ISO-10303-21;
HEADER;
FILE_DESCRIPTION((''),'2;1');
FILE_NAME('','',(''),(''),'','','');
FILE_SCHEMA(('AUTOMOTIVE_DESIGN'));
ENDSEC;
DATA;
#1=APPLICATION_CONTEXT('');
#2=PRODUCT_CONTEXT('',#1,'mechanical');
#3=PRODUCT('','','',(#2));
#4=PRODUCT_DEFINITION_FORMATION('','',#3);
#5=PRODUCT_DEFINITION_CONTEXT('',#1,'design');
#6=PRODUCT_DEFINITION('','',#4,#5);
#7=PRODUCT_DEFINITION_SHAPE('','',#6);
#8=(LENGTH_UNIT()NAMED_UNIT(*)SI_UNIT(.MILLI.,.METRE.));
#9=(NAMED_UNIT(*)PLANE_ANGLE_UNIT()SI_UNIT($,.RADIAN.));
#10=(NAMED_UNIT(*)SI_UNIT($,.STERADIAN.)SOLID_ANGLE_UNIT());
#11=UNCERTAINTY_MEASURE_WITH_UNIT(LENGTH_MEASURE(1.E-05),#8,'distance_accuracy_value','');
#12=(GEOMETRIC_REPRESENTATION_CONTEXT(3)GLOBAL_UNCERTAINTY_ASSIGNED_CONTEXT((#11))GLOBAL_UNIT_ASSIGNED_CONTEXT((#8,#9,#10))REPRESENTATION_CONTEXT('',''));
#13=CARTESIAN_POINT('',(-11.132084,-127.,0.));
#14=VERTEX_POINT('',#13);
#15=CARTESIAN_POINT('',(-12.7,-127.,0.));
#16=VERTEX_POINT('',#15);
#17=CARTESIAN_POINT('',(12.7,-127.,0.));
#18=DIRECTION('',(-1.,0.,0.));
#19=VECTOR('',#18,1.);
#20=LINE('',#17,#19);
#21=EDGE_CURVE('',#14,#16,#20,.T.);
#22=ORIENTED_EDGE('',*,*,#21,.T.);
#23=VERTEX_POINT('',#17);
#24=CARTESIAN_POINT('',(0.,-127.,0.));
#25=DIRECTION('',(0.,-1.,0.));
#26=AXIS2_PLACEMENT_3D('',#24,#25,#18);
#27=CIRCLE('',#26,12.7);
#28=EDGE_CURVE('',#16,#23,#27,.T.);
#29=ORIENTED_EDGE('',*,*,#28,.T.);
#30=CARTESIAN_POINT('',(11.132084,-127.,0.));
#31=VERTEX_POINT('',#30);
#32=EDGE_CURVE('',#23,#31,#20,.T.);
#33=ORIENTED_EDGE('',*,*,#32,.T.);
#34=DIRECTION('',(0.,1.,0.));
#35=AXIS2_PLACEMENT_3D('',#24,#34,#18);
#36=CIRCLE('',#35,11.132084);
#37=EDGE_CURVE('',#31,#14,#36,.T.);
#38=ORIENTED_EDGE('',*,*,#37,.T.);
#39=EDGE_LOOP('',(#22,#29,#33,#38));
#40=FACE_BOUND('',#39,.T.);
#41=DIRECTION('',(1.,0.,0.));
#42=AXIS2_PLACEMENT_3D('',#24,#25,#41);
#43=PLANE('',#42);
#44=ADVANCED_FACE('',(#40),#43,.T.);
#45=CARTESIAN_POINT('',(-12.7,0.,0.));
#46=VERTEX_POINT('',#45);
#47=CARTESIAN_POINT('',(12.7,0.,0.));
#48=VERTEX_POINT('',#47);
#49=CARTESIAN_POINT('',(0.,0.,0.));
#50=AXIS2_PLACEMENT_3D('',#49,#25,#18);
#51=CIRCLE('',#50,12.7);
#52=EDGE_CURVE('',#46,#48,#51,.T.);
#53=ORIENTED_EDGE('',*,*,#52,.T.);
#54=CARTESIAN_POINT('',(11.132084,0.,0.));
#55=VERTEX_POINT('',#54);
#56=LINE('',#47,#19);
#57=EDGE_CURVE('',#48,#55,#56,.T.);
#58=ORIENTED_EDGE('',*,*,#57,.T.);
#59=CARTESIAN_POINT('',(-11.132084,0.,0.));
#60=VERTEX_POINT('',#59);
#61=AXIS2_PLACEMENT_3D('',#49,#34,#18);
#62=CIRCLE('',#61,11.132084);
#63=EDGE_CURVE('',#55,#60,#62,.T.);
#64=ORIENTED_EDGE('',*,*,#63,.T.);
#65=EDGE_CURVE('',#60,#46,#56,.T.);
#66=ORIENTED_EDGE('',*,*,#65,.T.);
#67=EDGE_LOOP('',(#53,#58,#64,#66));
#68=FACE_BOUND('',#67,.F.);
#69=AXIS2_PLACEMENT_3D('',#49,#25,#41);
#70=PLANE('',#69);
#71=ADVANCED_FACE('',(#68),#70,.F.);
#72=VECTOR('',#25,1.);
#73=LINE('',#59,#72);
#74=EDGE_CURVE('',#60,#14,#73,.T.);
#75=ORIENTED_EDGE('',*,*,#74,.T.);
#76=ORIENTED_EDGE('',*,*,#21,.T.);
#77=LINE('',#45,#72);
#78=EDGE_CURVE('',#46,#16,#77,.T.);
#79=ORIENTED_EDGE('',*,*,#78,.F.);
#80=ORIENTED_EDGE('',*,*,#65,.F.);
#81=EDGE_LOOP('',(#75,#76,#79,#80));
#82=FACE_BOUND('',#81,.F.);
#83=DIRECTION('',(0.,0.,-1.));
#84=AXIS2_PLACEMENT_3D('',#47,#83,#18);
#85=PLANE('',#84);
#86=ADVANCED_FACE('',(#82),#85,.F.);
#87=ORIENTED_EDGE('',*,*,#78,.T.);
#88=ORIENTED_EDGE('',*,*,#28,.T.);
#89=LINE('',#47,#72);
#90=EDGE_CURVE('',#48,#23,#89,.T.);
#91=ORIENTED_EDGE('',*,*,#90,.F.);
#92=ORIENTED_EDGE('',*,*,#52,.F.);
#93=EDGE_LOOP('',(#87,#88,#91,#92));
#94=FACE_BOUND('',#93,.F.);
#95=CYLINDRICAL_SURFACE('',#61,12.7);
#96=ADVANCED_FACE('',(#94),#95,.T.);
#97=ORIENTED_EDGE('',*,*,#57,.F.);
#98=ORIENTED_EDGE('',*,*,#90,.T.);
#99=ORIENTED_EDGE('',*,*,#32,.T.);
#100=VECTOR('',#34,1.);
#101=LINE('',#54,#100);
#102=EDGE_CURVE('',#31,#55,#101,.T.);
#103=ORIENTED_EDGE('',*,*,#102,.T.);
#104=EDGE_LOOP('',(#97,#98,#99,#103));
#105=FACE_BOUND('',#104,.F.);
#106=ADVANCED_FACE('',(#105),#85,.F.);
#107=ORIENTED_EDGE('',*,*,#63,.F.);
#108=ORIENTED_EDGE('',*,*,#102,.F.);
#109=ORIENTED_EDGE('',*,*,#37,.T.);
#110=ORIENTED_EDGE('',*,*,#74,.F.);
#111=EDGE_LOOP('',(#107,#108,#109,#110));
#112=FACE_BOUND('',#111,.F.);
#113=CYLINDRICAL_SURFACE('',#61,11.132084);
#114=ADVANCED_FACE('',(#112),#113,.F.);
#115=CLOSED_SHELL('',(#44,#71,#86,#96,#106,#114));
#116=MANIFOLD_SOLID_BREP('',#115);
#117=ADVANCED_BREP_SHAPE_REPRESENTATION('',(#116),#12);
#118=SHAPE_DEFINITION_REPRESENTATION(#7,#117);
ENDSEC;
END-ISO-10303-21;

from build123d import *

# Parameters (mm, degrees)
F1_DEPTH = 127
F2_R     = 11.1125
F3_DEPTH = 127
F4_R     = 11.132084
F5_DEPTH = 409.90812


with BuildPart() as f1:
    # F0 (on Front) → F1 (new body)
    with BuildSketch(Plane.XZ):
        with BuildLine():
            Line((12.7, 0), (-12.7, 0))
            ThreePointArc((-12.7, 0), (0, -12.7), (12.7, 0))
        make_face()
    extrude(amount=F1_DEPTH)

    # F2 (on Front) → F3 (join)
    with BuildSketch(Plane.XZ):
        Circle(F2_R)
    extrude(amount=F3_DEPTH)

    # F4 (on face) → F5 (cut)
    with BuildSketch(Plane(origin=(0, 0, 0), x_dir=(-1, 0, 0), z_dir=(0, 1, 0))):
        Circle(F4_R)
    extrude(amount=-F5_DEPTH, mode=Mode.SUBTRACT)


solid = f1.part
